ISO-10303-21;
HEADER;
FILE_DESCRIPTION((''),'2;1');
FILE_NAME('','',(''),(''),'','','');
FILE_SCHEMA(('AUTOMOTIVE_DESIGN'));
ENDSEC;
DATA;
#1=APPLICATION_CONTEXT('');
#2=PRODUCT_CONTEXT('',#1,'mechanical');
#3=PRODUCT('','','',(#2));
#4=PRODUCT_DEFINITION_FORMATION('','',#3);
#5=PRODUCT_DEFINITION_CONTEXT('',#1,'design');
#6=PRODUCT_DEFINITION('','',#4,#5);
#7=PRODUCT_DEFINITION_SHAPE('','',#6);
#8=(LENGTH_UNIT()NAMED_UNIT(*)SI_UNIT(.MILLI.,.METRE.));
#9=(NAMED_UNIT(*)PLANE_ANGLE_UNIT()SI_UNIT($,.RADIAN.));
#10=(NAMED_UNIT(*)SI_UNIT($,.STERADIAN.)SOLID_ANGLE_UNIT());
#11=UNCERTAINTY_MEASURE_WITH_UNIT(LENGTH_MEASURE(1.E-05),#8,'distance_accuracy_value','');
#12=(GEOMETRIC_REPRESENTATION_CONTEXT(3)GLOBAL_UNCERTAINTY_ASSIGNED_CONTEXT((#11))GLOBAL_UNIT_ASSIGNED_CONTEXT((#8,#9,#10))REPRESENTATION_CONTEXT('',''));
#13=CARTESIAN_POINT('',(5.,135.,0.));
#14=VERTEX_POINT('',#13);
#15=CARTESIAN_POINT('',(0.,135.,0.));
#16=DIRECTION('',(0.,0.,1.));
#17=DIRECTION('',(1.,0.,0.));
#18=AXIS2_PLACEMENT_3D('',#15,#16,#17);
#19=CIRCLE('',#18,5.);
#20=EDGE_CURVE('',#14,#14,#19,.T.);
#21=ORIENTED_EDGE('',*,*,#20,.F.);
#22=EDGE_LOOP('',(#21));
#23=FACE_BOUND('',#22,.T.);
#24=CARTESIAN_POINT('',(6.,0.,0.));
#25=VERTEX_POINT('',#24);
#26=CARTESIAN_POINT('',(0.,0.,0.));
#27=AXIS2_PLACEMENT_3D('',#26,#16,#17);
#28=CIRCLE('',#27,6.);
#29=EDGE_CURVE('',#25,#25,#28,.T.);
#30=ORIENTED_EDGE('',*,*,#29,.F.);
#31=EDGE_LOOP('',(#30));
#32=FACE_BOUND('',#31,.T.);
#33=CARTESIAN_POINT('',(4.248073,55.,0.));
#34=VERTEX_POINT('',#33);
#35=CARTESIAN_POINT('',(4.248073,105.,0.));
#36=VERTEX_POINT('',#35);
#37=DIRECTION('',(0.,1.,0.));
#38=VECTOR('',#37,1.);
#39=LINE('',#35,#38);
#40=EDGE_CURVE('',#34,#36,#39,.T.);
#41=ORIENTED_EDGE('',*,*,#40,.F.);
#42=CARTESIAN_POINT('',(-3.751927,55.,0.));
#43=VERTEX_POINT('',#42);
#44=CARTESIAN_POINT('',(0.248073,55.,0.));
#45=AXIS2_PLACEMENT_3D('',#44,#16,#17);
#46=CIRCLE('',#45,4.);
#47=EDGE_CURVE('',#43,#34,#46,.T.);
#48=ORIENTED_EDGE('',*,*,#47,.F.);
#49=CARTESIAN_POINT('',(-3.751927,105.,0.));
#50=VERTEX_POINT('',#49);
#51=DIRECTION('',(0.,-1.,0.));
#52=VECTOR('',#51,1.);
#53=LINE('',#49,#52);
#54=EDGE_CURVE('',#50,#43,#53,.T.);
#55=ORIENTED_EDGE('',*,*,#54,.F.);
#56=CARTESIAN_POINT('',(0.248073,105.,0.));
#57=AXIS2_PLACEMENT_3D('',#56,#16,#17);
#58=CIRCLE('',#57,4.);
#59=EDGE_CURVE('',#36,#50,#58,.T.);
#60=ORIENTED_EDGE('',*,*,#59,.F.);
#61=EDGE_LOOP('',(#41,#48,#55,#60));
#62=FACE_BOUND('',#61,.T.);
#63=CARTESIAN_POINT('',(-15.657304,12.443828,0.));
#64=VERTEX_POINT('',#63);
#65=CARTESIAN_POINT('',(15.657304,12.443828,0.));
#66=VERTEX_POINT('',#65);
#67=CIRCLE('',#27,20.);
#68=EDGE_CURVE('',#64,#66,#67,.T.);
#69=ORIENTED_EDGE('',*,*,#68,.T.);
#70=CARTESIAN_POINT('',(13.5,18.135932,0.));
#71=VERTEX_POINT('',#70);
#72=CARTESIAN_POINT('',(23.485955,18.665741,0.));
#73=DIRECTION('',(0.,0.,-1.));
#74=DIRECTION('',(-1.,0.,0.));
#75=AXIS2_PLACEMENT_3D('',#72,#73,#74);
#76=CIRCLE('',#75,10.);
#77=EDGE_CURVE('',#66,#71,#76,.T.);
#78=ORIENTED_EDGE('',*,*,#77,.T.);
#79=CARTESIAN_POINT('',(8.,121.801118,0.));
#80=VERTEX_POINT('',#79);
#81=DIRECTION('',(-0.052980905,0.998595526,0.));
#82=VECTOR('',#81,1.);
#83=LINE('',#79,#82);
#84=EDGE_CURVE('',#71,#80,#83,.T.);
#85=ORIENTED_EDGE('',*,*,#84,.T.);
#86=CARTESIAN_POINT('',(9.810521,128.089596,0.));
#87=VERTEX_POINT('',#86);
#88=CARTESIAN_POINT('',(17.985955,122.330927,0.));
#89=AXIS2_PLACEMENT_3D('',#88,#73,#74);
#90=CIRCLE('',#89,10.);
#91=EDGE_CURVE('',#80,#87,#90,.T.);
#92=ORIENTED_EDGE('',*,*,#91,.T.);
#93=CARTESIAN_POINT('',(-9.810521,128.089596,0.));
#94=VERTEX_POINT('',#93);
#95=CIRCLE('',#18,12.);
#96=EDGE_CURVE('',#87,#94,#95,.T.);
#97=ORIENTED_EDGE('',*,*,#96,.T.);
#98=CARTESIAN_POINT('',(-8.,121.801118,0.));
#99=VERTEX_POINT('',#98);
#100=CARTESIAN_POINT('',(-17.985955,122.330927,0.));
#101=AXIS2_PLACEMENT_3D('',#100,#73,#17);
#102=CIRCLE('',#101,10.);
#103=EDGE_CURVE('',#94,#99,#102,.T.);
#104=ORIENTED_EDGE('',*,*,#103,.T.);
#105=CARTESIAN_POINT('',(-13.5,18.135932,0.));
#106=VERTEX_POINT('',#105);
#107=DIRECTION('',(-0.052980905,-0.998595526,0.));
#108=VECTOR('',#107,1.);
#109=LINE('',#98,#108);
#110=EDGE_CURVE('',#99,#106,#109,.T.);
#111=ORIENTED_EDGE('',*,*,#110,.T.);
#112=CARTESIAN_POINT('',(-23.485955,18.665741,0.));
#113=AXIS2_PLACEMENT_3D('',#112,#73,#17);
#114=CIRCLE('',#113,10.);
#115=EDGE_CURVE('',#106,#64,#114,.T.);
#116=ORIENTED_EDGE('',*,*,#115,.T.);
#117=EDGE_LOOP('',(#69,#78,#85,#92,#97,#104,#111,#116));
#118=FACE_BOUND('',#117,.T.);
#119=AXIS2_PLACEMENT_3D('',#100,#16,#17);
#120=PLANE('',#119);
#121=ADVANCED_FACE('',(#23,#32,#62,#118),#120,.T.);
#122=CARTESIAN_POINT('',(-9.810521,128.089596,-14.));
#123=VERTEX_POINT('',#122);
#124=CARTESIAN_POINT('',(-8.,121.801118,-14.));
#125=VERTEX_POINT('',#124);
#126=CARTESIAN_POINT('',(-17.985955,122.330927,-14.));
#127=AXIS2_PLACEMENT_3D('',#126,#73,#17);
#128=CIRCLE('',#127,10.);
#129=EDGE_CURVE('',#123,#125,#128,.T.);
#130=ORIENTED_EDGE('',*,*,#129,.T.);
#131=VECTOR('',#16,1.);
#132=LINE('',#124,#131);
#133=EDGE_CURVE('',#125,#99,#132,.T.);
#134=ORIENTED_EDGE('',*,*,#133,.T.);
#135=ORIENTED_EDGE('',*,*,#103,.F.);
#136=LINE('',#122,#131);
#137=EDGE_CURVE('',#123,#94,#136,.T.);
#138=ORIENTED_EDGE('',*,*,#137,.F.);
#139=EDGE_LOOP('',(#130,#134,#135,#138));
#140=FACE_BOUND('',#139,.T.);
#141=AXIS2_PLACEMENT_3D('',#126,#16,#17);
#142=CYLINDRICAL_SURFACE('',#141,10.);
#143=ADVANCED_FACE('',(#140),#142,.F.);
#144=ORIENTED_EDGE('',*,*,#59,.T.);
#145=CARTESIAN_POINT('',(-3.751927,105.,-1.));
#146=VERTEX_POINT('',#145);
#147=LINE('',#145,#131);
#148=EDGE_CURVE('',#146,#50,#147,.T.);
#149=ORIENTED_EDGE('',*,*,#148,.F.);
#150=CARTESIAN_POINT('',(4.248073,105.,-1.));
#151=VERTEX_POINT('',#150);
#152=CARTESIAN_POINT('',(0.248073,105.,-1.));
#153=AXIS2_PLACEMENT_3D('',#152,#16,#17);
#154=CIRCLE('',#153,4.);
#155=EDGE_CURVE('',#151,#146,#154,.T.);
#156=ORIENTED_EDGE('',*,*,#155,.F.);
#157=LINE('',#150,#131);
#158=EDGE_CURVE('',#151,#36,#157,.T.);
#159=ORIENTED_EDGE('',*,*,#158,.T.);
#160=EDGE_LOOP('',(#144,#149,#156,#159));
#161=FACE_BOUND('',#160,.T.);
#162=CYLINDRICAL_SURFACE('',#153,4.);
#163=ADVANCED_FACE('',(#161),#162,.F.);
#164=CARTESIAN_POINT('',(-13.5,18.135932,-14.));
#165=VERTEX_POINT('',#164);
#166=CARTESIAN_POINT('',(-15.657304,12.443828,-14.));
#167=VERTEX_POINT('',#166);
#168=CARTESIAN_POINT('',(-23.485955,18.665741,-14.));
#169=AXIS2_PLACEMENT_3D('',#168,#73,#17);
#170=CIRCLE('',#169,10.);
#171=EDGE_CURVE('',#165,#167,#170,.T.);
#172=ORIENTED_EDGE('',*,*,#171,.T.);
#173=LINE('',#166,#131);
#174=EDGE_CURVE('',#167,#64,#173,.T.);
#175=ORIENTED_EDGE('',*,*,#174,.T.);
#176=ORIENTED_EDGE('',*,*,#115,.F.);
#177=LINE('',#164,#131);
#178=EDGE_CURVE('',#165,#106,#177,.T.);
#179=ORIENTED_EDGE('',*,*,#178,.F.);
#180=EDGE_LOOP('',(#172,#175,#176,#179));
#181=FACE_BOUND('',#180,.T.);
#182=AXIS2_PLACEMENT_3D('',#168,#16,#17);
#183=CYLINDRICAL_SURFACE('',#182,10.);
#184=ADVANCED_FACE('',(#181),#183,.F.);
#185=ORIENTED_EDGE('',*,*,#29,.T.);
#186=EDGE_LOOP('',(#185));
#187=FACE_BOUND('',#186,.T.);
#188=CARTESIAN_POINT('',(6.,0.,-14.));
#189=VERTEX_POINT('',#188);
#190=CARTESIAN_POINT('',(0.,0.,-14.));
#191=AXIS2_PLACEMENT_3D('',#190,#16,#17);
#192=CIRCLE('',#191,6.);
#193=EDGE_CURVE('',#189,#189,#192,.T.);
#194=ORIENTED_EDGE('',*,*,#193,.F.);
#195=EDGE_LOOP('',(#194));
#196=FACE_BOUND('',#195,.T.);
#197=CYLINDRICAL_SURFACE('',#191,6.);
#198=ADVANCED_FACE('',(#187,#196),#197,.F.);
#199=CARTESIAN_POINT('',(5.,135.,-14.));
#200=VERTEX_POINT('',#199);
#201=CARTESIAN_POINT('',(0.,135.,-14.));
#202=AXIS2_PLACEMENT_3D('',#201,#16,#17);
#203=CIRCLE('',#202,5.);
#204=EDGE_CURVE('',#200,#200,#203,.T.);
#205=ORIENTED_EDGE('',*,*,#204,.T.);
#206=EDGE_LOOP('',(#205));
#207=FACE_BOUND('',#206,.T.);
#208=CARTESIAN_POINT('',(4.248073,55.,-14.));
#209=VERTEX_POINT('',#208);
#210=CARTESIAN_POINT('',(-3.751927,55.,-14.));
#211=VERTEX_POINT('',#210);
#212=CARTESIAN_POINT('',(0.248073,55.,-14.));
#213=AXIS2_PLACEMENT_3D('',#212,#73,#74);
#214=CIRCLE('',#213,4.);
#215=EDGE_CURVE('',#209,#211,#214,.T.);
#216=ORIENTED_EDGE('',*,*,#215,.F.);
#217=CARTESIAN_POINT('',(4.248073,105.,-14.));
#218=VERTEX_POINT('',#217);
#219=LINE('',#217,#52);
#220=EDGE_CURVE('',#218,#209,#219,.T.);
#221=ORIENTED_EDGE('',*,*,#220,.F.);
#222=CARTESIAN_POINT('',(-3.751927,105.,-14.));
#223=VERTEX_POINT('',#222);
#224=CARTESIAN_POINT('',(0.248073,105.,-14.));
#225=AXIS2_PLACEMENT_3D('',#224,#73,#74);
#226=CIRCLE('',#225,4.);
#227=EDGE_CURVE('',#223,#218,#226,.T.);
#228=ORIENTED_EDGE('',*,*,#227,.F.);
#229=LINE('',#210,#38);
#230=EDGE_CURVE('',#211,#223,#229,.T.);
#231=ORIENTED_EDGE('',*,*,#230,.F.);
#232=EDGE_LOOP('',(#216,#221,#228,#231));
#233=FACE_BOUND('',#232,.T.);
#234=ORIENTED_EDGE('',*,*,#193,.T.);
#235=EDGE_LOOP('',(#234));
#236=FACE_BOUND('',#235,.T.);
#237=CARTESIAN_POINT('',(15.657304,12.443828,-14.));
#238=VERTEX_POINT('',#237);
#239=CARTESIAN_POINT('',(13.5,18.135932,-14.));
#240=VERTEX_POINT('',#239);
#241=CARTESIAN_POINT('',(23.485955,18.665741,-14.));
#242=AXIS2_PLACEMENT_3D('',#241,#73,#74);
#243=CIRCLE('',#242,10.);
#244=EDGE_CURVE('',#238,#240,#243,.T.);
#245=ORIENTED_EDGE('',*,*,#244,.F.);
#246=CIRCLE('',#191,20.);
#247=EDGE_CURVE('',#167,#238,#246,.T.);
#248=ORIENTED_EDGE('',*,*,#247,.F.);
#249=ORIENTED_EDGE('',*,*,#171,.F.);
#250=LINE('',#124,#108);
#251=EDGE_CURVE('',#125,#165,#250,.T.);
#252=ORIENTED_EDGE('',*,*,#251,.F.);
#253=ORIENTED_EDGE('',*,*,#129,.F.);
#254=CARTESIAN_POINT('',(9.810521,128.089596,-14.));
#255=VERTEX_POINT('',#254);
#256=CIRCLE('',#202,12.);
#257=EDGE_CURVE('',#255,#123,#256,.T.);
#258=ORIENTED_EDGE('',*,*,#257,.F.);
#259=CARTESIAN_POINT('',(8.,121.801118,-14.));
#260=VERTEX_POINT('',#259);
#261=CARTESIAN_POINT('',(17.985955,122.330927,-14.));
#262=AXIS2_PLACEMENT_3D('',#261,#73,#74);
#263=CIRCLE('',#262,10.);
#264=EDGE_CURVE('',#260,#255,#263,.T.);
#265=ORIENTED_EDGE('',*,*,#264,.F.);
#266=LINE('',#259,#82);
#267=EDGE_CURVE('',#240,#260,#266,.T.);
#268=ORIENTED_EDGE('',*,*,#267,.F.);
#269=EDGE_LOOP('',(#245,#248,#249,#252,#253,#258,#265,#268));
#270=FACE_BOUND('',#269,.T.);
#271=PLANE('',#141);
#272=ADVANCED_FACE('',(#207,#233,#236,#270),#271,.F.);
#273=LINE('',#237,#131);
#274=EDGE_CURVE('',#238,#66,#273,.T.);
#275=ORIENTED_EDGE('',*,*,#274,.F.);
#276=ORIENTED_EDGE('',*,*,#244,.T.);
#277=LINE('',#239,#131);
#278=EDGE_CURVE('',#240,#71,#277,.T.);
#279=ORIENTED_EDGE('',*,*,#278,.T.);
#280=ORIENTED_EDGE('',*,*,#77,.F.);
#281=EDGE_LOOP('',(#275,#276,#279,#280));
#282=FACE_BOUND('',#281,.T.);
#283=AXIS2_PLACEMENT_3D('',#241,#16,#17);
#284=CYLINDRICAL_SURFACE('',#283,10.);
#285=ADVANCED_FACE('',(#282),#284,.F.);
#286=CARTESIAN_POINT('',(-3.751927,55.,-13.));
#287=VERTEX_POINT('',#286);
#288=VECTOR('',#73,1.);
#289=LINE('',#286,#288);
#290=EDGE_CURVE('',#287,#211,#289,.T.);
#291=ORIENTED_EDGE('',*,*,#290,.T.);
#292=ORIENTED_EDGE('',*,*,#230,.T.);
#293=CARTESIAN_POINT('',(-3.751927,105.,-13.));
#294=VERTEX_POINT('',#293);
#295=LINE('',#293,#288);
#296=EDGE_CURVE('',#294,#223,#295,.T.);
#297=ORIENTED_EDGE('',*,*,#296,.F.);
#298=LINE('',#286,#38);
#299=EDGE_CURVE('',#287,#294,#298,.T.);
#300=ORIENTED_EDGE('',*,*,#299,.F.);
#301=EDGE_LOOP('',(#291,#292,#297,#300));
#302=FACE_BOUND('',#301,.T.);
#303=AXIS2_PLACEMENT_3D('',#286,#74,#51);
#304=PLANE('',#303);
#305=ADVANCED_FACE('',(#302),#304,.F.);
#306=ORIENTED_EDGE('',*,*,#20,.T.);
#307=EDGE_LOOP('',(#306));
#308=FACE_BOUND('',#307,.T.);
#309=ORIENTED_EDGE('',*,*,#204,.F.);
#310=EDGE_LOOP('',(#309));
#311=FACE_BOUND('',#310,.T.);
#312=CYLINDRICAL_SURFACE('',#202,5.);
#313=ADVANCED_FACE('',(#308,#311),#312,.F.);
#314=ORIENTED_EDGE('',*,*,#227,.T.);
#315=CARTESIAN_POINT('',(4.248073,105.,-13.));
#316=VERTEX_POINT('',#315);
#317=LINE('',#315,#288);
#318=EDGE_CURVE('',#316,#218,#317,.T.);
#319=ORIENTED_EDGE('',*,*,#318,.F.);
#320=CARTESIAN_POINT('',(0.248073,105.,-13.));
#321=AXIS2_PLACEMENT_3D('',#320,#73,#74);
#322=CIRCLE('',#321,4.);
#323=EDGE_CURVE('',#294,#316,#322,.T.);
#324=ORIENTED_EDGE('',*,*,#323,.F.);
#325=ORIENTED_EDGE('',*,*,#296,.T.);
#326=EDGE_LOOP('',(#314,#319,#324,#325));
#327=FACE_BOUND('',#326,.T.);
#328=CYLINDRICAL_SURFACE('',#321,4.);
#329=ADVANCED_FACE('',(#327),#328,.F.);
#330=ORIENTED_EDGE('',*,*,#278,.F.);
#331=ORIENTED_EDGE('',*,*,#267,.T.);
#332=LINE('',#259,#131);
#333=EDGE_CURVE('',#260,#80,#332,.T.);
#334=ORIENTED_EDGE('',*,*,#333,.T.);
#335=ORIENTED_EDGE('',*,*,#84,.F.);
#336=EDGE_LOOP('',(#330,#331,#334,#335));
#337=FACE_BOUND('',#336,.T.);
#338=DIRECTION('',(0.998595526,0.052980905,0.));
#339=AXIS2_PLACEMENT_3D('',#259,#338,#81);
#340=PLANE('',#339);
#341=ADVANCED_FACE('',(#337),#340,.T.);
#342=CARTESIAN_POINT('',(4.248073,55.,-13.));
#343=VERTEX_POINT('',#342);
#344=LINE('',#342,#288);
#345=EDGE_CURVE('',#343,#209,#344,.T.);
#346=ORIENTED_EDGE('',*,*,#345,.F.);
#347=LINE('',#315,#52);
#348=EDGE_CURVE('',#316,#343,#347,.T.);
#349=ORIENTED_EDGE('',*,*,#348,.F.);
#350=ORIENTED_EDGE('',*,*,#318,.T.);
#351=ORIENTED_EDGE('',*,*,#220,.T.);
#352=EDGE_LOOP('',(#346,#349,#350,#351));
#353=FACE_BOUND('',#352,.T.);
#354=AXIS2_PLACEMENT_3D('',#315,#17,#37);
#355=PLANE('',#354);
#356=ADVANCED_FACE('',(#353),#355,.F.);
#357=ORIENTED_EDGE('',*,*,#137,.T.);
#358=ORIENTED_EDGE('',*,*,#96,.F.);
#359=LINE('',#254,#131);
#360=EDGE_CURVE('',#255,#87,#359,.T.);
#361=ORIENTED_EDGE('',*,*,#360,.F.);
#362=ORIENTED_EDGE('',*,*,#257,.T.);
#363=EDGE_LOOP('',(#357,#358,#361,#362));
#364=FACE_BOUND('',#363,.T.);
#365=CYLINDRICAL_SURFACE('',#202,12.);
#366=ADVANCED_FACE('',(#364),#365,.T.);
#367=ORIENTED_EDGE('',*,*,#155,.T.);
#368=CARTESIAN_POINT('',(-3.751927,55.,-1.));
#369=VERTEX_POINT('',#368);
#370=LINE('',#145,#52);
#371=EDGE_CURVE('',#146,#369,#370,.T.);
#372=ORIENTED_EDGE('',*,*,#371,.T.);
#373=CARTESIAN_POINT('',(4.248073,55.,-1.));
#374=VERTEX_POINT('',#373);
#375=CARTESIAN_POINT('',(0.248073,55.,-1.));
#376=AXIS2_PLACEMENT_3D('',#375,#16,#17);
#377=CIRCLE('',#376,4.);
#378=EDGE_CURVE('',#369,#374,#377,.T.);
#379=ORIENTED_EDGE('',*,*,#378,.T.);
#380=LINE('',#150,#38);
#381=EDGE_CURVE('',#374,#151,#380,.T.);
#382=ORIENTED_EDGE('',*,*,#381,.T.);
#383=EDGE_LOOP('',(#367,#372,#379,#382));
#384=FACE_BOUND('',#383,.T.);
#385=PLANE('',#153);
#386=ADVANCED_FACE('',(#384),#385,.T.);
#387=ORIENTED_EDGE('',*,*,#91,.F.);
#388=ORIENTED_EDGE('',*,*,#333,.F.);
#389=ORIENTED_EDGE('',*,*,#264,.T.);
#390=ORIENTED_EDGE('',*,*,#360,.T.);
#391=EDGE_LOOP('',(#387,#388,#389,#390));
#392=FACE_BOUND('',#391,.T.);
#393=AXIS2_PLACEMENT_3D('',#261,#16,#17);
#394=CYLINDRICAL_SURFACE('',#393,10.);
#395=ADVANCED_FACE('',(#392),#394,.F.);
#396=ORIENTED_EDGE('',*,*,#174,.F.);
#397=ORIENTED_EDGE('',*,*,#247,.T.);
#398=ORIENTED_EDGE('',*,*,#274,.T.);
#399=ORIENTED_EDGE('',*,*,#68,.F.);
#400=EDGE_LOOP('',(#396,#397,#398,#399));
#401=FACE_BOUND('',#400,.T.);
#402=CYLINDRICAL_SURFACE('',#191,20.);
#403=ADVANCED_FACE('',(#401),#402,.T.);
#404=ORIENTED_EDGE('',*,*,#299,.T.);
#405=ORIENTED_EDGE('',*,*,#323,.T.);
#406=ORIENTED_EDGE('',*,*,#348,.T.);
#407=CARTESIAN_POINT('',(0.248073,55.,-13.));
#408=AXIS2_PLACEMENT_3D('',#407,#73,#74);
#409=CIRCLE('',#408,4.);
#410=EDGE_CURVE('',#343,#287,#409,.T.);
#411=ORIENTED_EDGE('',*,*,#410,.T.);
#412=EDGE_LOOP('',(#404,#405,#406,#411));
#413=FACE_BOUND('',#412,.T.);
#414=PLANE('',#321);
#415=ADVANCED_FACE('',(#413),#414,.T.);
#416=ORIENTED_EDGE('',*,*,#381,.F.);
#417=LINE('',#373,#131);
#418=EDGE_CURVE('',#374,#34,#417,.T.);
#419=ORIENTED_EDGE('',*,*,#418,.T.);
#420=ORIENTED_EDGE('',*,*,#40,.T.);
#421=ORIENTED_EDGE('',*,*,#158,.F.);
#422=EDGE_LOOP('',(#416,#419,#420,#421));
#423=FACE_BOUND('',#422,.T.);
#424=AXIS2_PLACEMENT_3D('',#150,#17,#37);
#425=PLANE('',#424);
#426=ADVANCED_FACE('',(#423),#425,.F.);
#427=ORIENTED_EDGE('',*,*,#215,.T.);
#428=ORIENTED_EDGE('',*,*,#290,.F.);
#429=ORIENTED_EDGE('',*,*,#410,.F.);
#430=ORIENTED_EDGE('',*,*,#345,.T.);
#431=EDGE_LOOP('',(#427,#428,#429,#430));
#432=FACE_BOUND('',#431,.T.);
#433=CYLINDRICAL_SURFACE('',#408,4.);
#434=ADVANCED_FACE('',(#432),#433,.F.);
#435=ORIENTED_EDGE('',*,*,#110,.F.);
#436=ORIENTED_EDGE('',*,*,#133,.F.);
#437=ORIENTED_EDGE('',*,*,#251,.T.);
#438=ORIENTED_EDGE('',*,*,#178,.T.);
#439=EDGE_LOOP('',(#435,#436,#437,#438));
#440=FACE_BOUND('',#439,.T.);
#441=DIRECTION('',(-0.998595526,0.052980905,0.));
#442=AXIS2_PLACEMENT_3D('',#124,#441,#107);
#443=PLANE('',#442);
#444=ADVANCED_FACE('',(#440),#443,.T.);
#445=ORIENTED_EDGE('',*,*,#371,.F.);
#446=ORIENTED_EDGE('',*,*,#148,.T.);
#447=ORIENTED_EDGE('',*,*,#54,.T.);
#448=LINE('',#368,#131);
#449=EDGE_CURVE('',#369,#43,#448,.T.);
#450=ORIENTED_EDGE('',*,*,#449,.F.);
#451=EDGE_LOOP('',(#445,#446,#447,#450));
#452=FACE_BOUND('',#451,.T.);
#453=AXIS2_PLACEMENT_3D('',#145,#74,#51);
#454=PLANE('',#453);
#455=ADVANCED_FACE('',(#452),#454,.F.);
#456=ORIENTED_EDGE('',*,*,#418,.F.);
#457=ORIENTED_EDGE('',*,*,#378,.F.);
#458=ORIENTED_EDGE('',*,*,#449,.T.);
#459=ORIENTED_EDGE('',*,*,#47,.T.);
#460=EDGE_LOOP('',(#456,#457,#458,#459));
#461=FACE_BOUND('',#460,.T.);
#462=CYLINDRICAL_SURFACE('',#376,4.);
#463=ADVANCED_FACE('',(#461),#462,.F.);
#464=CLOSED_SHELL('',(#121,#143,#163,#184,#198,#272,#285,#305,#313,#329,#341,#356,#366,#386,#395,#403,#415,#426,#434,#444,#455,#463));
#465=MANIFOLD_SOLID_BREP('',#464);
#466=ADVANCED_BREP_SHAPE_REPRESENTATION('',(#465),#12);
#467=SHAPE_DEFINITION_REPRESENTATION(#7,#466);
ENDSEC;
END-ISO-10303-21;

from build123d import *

# Parameters (mm, degrees)
SKETCH_1_R          = 6
SKETCH_1_R_2        = 5
EXTRUDE_1_DEPTH     = 14
CUT_EXTRUDE_1_DEPTH = 1
CUT_EXTRUDE_START   = -1
CUT_EXTRUDE_2_DEPTH = 1


with BuildPart() as part:
    # 草图1 → 拉伸1 (new body)
    with BuildSketch(Plane.XY):
        with BuildLine():
            Line((-8, 121.801117832), (-13.5, 18.135932445))
            ThreePointArc((-13.5, 18.135932445), (-14.135015735, 15.121742333), (-15.657303504, 12.443827667))
            ThreePointArc((-15.657303504, 12.443827667), (0, -20), (15.657303504, 12.443827667))
            ThreePointArc((15.657303504, 12.443827667), (14.135015735, 15.121742333), (13.5, 18.135932445))
            Line((13.5, 18.135932445), (8, 121.801117832))
            ThreePointArc((8, 121.801117832), (8.376311259, 125.097647375), (9.810521048, 128.089596484))
            ThreePointArc((9.810521048, 128.089596484), (0, 147), (-9.810521048, 128.089596484))
            ThreePointArc((-9.810521048, 128.089596484), (-8.376311259, 125.097647375), (-8, 121.801117832))
        make_face()
        Circle(SKETCH_1_R, mode=Mode.SUBTRACT)
        with Locations((0, 135)):
            Circle(SKETCH_1_R_2, mode=Mode.SUBTRACT)
    extrude(amount=-EXTRUDE_1_DEPTH)

    # 草图2 → 切除-拉伸1 (cut)
    with BuildSketch(Plane.XY):
        with BuildLine():
            Line((-3.75192728, 105), (-3.75192728, 55))
            ThreePointArc((-3.75192728, 55), (0.24807272, 51), (4.24807272, 55))
            Line((4.24807272, 55), (4.24807272, 105))
            ThreePointArc((4.24807272, 105), (0.24807272, 109), (-3.75192728, 105))
        make_face()
    extrude(amount=-CUT_EXTRUDE_1_DEPTH, mode=Mode.SUBTRACT)

    # 草图3 → 切除-拉伸2 (cut)
    with BuildSketch(Plane(origin=(0, 0, -14), x_dir=(-1, 0, 0), z_dir=(0, 0, -1)).offset(CUT_EXTRUDE_START)):
        with BuildLine():
            Line((3.75192728, 55), (3.75192728, 105))
            ThreePointArc((3.75192728, 105), (-0.24807272, 109), (-4.24807272, 105))
            Line((-4.24807272, 105), (-4.24807272, 55))
            ThreePointArc((-4.24807272, 55), (-0.24807272, 51), (3.75192728, 55))
        make_face()
    extrude(amount=CUT_EXTRUDE_2_DEPTH, mode=Mode.SUBTRACT)


solid = part.part
